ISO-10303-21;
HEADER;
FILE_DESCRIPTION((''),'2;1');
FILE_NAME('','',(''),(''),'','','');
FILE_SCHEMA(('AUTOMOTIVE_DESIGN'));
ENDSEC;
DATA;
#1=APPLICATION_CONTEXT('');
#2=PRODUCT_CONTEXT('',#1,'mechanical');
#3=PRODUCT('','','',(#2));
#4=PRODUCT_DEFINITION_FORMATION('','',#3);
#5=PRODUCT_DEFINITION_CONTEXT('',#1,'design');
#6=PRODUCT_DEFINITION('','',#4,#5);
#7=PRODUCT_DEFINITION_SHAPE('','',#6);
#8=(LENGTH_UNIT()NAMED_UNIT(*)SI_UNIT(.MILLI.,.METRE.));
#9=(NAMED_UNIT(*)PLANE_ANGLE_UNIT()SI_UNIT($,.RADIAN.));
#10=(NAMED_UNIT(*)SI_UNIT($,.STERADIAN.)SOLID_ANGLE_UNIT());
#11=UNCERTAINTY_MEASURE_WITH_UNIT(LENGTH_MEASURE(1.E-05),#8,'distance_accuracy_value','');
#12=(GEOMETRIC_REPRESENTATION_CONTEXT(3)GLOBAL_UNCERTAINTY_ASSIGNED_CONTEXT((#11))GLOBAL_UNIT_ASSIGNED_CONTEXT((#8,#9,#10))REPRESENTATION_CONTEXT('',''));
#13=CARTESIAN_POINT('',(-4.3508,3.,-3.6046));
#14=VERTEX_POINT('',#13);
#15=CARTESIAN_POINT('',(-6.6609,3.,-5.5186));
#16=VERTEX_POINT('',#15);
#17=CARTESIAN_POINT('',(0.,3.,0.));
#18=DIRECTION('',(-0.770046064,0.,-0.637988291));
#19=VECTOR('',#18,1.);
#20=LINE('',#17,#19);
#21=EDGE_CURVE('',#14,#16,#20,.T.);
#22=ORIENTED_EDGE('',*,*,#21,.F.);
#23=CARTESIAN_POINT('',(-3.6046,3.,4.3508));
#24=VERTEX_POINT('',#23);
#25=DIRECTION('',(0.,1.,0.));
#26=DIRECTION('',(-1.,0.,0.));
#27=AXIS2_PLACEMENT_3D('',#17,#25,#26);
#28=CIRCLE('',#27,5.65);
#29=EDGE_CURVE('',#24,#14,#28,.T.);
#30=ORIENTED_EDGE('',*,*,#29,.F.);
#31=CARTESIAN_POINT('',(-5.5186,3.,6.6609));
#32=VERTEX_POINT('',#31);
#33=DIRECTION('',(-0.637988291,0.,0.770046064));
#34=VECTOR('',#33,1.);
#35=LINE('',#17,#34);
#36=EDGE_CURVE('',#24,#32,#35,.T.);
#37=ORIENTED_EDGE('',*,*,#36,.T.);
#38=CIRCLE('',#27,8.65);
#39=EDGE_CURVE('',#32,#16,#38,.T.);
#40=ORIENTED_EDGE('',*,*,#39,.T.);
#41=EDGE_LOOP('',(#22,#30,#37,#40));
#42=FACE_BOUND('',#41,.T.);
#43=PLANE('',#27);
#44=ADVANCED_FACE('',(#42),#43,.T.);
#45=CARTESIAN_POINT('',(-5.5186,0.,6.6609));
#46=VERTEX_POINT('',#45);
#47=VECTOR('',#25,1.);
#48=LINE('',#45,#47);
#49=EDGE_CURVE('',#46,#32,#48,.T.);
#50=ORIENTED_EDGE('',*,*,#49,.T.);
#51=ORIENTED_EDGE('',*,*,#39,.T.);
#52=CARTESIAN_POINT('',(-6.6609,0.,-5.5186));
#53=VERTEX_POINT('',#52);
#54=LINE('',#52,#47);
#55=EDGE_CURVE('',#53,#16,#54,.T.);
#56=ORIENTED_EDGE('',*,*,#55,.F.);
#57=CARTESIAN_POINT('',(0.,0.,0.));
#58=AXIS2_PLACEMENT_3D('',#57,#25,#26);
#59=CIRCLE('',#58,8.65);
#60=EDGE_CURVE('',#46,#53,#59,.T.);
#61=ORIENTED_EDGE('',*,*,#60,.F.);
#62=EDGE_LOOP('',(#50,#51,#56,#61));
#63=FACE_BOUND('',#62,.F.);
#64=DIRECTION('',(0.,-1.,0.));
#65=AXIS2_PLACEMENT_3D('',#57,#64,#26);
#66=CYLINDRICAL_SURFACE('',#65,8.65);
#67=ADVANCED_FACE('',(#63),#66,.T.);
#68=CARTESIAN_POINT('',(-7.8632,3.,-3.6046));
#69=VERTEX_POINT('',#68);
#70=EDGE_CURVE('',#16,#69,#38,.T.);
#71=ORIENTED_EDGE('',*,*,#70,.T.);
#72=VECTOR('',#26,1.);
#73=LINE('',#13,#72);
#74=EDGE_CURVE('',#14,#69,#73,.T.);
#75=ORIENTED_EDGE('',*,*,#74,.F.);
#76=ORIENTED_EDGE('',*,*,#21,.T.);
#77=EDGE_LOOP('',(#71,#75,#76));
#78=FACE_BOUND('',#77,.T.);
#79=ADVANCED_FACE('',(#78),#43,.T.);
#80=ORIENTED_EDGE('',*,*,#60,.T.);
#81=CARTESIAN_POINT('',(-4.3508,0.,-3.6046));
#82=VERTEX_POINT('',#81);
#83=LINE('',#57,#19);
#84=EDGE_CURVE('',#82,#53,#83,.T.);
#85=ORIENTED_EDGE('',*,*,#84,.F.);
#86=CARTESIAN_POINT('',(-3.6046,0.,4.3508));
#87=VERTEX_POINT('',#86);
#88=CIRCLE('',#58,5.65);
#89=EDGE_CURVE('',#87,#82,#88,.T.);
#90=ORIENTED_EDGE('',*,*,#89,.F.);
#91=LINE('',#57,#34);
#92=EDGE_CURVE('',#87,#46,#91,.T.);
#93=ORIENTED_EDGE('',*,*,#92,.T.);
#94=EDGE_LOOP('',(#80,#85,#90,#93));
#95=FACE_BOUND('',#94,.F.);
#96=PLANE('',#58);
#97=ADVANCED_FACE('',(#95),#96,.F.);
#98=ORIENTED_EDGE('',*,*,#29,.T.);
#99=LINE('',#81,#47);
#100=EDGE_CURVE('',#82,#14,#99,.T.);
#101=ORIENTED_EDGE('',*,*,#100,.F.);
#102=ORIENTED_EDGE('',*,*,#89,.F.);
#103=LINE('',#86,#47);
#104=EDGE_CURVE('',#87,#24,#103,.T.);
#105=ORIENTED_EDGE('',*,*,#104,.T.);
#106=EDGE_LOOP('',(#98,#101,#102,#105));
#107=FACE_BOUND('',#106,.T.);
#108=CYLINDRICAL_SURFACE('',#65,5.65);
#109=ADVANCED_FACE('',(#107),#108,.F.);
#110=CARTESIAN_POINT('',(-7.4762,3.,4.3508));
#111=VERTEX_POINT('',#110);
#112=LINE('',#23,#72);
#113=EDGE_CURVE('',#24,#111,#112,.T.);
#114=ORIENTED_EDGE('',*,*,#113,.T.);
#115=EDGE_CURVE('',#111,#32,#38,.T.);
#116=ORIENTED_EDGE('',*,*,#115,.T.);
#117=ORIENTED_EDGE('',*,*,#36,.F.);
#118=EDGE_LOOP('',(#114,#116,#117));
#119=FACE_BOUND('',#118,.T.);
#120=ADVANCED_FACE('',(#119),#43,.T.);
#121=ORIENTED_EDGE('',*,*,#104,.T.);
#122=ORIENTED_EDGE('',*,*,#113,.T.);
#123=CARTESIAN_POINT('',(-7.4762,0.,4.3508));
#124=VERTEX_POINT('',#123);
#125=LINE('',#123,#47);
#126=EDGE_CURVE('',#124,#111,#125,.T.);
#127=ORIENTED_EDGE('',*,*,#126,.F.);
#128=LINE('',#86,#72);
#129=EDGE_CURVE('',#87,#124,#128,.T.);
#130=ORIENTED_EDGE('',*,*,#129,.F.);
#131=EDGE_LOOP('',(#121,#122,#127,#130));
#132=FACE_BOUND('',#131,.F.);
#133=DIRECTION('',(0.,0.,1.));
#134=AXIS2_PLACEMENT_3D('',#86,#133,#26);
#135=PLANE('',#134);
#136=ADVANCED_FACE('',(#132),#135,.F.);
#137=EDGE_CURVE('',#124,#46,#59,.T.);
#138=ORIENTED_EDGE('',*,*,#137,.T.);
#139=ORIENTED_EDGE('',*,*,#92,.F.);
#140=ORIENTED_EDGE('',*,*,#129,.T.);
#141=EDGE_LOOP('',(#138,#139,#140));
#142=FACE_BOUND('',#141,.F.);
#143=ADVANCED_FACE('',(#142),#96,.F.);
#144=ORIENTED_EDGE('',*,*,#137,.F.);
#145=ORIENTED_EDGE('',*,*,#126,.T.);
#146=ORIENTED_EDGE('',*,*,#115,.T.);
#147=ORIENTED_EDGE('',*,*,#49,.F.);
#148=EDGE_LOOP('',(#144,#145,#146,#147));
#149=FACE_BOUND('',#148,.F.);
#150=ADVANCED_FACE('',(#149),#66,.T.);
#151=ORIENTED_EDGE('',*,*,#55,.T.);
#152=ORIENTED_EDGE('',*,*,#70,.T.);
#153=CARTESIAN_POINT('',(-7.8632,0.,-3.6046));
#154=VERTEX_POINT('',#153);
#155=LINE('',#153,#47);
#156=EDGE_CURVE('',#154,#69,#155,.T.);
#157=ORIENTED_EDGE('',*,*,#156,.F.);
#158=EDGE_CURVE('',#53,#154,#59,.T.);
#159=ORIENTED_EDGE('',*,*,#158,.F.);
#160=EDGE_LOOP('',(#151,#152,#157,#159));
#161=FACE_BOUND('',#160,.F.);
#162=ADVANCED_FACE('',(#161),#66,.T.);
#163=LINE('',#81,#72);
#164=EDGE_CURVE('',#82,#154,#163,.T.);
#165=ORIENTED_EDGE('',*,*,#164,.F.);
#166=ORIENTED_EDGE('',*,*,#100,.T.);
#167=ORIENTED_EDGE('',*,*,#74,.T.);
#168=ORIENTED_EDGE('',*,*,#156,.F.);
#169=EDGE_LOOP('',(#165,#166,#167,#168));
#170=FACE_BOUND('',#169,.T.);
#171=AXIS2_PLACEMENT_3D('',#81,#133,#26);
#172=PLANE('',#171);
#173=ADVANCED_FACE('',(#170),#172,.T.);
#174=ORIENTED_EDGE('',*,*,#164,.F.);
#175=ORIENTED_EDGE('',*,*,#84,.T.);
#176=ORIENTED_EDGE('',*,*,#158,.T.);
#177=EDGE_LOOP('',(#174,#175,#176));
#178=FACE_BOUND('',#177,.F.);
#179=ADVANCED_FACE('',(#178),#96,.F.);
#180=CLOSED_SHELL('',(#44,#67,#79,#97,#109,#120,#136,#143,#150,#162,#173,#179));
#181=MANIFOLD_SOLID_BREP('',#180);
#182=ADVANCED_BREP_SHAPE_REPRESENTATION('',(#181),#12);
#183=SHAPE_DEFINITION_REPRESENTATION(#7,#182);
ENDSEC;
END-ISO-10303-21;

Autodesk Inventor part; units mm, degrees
ref_plane "YZ Plane" through (0, 0, 0) normal (1, 0, 0) x (0, 1, 0)
ref_plane "XZ Plane" through (0, 0, 0) normal (0, 1, 0) x (-1, 0, 0)
ref_plane "XY Plane" through (0, 0, 0) normal (0, 0, 1) x (1, 0, 0)
sketch "Boceto1" plane through (0, 0, 0) normal (0, 1, 0) x (-1, 0, 0)
  circle A0 centre (0, 0) radius 5.65
  circle A1 centre (0, 0) radius 8.65
  line L0 (0, 0) -> (6.6609, -5.5186)
  line L1 (0, 0) -> (5.5186, 6.6609)
  line L2 (3.6046, 4.3508) -> (7.4762, 4.3508)
  line L3 (4.3508, -3.6046) -> (7.8632, -3.6046)
  point P0 (-0.8522, 8.6079)
  point P1 (-0.8522, -8.6079)
  point P2 (3.6046, 4.3508)
  point P3 (4.3508, -3.6046)
  dimension "d0" = 11.3
  dimension "d1" = 3
  dimension "d5" = 90
extrude "Extrusión1" add sketch "Boceto1" along normal blind 3 contours A0 L0 A1 L1 | L1 A1 L2 | L3 A1 L0
properties part number "Rubberfoot" material "Caucho, Silicona"
